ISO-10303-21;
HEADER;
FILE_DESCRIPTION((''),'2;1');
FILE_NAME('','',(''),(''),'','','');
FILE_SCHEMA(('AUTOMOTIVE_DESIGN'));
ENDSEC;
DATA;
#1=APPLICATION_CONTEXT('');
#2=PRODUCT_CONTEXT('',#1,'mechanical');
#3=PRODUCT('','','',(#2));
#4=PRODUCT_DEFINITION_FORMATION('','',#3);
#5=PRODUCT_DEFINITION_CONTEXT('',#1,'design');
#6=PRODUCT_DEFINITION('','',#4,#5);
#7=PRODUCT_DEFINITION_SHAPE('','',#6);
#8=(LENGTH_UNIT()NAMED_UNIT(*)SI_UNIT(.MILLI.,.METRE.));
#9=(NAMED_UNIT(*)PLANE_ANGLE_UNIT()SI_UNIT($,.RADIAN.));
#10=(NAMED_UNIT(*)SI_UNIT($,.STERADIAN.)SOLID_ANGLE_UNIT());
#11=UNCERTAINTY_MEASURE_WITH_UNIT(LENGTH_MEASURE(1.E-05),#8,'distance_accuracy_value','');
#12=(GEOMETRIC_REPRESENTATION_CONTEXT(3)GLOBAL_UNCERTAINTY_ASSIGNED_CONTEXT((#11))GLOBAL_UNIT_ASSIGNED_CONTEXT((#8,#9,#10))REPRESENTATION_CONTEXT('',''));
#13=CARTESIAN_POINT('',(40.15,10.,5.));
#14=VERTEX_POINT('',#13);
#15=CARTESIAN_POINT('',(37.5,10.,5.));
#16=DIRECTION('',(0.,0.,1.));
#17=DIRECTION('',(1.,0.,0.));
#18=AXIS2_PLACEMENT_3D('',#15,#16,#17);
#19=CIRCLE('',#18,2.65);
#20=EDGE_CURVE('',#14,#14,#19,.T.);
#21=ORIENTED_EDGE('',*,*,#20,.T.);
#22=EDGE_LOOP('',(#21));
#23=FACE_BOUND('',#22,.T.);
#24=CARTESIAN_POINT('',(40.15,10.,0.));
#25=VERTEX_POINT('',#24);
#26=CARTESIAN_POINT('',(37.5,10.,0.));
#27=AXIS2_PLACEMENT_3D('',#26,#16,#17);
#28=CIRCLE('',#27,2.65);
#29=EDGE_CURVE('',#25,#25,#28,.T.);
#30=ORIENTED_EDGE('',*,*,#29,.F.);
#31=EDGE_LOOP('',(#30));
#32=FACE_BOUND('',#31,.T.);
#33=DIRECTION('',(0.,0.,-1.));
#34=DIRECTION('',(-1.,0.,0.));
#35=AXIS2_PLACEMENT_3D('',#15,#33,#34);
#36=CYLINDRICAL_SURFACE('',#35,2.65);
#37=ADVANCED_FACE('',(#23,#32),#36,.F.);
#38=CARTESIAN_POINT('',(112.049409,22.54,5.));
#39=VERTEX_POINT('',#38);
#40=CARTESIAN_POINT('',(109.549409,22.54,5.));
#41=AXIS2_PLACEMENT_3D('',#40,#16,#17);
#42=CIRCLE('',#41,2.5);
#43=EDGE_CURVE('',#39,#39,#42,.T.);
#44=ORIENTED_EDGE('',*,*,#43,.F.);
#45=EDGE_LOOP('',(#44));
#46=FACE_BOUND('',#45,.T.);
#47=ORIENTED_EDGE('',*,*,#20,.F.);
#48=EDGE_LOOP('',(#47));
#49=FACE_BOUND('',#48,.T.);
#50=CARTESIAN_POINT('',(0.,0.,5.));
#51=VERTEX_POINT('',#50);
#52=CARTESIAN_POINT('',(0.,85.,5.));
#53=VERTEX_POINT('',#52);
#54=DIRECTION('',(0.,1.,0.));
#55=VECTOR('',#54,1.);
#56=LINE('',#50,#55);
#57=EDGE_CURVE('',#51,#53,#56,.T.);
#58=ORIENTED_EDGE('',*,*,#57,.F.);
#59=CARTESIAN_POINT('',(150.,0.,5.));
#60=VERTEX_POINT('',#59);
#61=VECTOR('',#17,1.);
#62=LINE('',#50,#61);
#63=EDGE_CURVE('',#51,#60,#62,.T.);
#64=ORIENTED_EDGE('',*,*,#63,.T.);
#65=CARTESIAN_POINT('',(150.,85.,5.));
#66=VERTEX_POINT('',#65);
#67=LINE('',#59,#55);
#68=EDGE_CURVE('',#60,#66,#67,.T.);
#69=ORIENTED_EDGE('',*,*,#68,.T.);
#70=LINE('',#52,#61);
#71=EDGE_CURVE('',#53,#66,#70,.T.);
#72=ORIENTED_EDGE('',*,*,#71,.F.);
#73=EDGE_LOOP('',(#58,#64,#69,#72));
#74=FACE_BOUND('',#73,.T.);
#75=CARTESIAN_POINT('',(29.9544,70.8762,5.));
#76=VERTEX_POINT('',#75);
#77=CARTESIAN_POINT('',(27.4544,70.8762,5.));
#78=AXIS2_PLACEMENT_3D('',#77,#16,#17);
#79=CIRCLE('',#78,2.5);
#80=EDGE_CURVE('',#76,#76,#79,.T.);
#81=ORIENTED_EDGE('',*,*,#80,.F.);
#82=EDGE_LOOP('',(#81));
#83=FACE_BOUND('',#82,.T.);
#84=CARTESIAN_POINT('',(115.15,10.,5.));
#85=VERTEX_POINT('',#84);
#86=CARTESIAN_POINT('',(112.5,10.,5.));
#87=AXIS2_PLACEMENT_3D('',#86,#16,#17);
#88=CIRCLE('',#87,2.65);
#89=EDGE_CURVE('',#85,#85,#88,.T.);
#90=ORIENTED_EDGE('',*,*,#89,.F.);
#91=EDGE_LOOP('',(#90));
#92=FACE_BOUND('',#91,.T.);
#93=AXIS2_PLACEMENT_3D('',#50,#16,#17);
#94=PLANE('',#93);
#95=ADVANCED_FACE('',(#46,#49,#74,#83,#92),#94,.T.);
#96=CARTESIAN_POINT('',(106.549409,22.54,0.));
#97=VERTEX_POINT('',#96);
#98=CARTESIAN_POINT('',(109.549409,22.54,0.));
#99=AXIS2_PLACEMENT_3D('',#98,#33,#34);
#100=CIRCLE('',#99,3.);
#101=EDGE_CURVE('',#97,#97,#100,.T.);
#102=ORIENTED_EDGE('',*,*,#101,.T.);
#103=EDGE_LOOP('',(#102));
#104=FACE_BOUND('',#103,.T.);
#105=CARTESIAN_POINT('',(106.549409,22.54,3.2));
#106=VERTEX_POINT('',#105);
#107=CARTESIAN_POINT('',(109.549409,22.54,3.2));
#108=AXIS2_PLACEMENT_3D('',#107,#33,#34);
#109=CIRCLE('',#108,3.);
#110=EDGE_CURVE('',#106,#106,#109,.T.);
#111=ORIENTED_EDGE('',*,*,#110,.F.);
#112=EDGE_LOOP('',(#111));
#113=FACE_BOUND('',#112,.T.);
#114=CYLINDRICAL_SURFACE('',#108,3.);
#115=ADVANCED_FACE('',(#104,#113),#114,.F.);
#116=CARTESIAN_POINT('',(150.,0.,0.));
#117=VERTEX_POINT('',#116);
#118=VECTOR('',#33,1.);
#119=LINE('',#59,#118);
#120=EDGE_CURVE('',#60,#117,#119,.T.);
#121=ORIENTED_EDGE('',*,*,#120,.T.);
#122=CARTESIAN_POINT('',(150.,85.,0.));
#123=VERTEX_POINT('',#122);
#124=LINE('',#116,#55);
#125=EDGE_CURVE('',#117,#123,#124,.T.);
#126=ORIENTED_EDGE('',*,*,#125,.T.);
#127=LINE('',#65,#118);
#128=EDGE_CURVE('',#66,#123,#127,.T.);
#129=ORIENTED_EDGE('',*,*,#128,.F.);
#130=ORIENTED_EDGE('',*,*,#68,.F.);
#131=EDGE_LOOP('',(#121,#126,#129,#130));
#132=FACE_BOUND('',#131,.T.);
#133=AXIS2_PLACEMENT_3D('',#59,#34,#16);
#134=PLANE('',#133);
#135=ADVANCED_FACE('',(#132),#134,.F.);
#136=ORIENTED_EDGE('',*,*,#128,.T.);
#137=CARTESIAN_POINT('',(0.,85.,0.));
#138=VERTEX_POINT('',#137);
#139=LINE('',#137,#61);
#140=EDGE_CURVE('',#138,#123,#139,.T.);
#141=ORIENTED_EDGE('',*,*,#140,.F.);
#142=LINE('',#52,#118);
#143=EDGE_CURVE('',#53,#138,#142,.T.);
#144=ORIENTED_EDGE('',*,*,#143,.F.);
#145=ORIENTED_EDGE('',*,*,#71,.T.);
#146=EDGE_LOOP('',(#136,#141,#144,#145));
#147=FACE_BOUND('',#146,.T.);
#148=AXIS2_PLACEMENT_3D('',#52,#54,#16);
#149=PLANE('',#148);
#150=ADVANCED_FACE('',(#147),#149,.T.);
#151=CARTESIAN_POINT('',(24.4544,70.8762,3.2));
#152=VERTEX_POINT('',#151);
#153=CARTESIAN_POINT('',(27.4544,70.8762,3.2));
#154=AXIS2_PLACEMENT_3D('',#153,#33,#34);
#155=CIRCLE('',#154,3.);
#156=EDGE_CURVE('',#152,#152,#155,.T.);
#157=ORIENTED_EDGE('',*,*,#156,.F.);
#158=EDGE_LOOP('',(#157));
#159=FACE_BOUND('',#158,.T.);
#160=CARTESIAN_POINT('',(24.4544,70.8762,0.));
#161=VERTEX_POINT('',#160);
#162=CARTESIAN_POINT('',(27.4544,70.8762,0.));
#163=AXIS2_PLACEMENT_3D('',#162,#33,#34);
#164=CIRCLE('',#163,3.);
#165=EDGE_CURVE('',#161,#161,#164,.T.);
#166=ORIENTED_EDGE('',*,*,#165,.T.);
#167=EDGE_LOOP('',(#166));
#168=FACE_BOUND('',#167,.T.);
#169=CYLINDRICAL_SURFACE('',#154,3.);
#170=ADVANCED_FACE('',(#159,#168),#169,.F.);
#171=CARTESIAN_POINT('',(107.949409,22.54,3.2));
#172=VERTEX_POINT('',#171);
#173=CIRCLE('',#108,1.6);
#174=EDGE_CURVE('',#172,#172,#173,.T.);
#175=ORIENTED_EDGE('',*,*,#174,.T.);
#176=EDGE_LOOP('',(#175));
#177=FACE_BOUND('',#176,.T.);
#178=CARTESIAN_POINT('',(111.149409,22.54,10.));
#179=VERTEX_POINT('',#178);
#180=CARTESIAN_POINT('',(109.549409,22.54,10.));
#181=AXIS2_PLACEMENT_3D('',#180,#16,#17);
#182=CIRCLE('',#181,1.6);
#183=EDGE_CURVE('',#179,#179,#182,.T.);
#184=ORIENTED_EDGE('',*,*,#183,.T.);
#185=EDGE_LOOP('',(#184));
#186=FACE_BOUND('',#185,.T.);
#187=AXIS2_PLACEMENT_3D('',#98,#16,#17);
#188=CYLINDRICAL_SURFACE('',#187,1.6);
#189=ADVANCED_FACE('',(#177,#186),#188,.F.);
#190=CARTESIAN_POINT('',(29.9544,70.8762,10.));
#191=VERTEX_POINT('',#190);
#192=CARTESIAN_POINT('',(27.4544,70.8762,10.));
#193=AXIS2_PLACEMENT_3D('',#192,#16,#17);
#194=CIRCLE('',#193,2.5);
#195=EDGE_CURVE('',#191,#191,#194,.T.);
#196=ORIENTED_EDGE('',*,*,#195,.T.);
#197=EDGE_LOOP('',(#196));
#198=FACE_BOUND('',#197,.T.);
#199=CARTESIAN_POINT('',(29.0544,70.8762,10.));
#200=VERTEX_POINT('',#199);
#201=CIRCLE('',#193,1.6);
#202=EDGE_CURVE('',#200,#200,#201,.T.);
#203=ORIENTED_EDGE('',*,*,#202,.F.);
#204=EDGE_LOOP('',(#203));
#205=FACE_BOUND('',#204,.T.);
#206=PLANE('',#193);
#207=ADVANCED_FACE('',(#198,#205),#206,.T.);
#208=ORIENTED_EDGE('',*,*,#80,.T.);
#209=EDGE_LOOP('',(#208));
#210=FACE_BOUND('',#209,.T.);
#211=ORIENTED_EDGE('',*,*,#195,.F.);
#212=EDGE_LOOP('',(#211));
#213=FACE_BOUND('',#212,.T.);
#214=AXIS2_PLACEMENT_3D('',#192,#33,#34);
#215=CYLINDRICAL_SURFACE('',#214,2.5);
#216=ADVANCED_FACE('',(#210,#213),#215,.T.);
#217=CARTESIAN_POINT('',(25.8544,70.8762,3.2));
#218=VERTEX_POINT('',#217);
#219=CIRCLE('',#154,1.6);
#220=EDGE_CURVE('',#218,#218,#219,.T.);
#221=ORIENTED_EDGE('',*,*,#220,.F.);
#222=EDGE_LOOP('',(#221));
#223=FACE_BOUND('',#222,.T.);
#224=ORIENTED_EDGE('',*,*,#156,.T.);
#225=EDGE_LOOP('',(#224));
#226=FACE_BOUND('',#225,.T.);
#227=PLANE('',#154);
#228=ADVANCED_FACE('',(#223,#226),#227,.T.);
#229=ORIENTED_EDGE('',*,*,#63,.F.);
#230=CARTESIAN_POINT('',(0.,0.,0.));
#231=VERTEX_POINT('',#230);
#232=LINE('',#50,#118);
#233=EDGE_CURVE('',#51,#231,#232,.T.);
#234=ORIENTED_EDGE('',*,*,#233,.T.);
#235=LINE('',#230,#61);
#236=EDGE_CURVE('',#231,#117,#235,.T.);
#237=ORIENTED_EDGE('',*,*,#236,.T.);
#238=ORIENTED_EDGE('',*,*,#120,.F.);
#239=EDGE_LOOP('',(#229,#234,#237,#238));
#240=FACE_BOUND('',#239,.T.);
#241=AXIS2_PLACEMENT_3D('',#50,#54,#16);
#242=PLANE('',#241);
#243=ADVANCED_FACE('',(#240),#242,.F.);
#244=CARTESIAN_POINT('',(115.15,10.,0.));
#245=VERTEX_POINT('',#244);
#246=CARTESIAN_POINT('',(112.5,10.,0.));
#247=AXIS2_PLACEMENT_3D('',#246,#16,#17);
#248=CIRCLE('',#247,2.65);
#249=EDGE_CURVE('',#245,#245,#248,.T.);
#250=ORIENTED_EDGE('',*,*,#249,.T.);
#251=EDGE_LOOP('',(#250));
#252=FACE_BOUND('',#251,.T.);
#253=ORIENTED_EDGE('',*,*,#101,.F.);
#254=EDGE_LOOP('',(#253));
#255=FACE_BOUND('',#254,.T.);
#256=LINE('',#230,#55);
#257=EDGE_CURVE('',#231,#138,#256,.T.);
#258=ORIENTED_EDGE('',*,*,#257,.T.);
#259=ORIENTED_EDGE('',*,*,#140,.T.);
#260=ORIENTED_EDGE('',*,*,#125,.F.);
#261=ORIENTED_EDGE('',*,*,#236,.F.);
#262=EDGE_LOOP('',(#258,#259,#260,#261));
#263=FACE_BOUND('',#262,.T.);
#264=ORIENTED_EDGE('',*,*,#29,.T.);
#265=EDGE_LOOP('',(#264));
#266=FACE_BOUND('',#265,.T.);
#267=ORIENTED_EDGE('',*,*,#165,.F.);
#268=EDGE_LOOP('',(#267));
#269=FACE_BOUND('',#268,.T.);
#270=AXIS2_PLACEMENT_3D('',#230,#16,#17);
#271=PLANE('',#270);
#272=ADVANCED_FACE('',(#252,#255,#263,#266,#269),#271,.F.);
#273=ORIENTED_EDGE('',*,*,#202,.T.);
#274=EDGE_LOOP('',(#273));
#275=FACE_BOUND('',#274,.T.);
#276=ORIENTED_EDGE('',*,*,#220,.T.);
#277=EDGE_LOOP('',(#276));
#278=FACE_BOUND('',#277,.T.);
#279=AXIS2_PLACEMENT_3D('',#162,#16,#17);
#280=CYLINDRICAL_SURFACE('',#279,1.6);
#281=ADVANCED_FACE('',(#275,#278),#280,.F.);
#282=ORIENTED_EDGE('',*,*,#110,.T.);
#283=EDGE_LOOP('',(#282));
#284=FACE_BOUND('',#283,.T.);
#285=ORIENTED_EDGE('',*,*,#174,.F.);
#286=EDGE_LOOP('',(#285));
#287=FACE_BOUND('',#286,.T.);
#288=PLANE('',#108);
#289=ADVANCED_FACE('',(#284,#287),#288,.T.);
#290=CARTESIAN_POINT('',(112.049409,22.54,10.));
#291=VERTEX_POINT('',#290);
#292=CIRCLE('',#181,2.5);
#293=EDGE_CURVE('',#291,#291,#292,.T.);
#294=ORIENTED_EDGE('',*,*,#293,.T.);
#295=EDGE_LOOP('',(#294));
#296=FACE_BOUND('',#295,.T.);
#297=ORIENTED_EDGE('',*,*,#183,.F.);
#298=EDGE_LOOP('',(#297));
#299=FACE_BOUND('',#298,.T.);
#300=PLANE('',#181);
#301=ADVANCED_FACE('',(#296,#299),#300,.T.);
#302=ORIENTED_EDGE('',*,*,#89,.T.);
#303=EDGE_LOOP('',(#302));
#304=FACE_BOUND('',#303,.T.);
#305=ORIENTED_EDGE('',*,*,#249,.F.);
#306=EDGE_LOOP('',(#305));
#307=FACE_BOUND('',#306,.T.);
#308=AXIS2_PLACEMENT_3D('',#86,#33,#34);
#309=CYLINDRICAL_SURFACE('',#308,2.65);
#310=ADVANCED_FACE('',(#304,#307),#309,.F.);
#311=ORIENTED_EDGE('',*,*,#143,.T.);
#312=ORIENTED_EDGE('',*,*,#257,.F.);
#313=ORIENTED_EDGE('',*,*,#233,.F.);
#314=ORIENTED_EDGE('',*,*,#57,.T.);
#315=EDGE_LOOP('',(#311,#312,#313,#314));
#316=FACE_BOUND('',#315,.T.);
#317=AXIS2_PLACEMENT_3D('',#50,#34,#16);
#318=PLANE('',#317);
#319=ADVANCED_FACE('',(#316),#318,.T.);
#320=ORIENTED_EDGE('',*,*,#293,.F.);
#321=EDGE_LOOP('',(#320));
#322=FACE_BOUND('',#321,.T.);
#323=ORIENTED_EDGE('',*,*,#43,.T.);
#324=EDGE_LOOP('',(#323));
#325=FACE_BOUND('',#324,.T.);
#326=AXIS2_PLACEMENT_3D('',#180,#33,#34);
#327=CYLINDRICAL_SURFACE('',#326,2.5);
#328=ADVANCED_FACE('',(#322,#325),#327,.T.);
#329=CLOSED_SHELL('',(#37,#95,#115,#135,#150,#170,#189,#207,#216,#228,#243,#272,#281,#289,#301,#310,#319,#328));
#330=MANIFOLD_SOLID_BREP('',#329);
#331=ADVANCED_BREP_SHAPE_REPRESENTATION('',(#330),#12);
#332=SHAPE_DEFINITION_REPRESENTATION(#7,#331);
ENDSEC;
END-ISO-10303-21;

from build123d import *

# Parameters (mm, degrees)
SKETCH1_W           = 150
SKETCH1_H           = 85
SKETCH1_R           = 2.65
BOSS_EXTRUDE1_DEPTH = 5
CUT_EXTRUDE1_DEPTH  = 5
BOSS_EXTRUDE2_START = 5
SKETCH3_R           = 2.5
SKETCH3_R_2         = 1.6
BOSS_EXTRUDE2_DEPTH = 5
SKETCH4_R           = 3
CUT_EXTRUDE2_DEPTH  = 3.2


with BuildPart() as part:
    # Sketch1 → Boss-Extrude1 (new body)
    with BuildSketch(Plane.XY):
        with Locations((75, 42.5)):
            Rectangle(SKETCH1_W, SKETCH1_H)
        with Locations((37.5, 10)):
            Circle(SKETCH1_R, mode=Mode.SUBTRACT)
        with Locations((112.5, 10)):
            Circle(SKETCH1_R, mode=Mode.SUBTRACT)
    extrude(amount=BOSS_EXTRUDE1_DEPTH)

    # Sketch2 → Cut-Extrude1 (cut)
    with BuildSketch(Plane.XY.offset(5)):
        with BuildLine():
            Line((27.4544, 72.4762), (27.4544, 70.8762))
            Line((27.4544, 70.8762), (25.8544, 70.8762))
            ThreePointArc((25.8544, 70.8762), (27.4544, 69.2762), (29.0544, 70.8762))
            ThreePointArc((29.0544, 70.8762), (28.58577085, 72.00757085), (27.4544, 72.4762))
        make_face()
        with BuildLine():
            Line((25.8544, 70.8762), (27.4544, 70.8762))
            Line((27.4544, 70.8762), (27.4544, 72.4762))
            ThreePointArc((27.4544, 72.4762), (26.32302915, 72.00757085), (25.8544, 70.8762))
        make_face()
        with BuildLine():
            Line((27.4544, 72.4762), (27.4544, 70.8762))
            Line((27.4544, 70.8762), (25.8544, 70.8762))
            ThreePointArc((25.8544, 70.8762), (27.4544, 69.2762), (29.0544, 70.8762))
            ThreePointArc((29.0544, 70.8762), (28.58577085, 72.00757085), (27.4544, 72.4762))
        make_face()
        with BuildLine():
            Line((25.8544, 70.8762), (27.4544, 70.8762))
            Line((27.4544, 70.8762), (27.4544, 72.4762))
            ThreePointArc((27.4544, 72.4762), (26.32302915, 72.00757085), (25.8544, 70.8762))
        make_face()
        with BuildLine():
            ThreePointArc((111.149409347, 22.54), (108.418038497, 23.67137085), (109.549409347, 20.94))
            Line((109.549409347, 20.94), (109.549409347, 22.54))
            Line((109.549409347, 22.54), (111.149409347, 22.54))
        make_face()
        with BuildLine():
            Line((109.549409347, 22.54), (109.549409347, 20.94))
            ThreePointArc((109.549409347, 20.94), (110.680780197, 21.40862915), (111.149409347, 22.54))
            Line((111.149409347, 22.54), (109.549409347, 22.54))
        make_face()
        with BuildLine():
            ThreePointArc((111.149409347, 22.54), (108.418038497, 23.67137085), (109.549409347, 20.94))
            Line((109.549409347, 20.94), (109.549409347, 22.54))
            Line((109.549409347, 22.54), (111.149409347, 22.54))
        make_face()
        with BuildLine():
            Line((109.549409347, 22.54), (109.549409347, 20.94))
            ThreePointArc((109.549409347, 20.94), (110.680780197, 21.40862915), (111.149409347, 22.54))
            Line((111.149409347, 22.54), (109.549409347, 22.54))
        make_face()
    extrude(amount=-CUT_EXTRUDE1_DEPTH, mode=Mode.SUBTRACT)

    # Sketch3 → Boss-Extrude2 (add)
    # profile 1 of 2: a face of its own
    with BuildSketch(Plane.XY.offset(5).offset(BOSS_EXTRUDE2_START)):
        with Locations((27.4544, 70.8762)):
            Circle(SKETCH3_R)
        with Locations((27.4544, 70.8762)):
            Circle(SKETCH3_R_2, mode=Mode.SUBTRACT)
    # profile 2 of 2: a face of its own
    with BuildSketch(Plane.XY.offset(5).offset(BOSS_EXTRUDE2_START)):
        with Locations((109.549409347, 22.54)):
            Circle(SKETCH3_R)
        with Locations((109.549409347, 22.54)):
            Circle(SKETCH3_R_2, mode=Mode.SUBTRACT)
    extrude(amount=-BOSS_EXTRUDE2_DEPTH)

    # Sketch4 → Cut-Extrude2 (cut)
    with BuildSketch(Plane(origin=(0, 0, 0), x_dir=(-1, 0, 0), z_dir=(0, 0, -1))):
        with Locations((-27.4544, 70.8762)):
            Circle(SKETCH4_R)
        with Locations((-109.549409347, 22.54)):
            Circle(SKETCH4_R)
    extrude(amount=-CUT_EXTRUDE2_DEPTH, mode=Mode.SUBTRACT)


solid = part.part
